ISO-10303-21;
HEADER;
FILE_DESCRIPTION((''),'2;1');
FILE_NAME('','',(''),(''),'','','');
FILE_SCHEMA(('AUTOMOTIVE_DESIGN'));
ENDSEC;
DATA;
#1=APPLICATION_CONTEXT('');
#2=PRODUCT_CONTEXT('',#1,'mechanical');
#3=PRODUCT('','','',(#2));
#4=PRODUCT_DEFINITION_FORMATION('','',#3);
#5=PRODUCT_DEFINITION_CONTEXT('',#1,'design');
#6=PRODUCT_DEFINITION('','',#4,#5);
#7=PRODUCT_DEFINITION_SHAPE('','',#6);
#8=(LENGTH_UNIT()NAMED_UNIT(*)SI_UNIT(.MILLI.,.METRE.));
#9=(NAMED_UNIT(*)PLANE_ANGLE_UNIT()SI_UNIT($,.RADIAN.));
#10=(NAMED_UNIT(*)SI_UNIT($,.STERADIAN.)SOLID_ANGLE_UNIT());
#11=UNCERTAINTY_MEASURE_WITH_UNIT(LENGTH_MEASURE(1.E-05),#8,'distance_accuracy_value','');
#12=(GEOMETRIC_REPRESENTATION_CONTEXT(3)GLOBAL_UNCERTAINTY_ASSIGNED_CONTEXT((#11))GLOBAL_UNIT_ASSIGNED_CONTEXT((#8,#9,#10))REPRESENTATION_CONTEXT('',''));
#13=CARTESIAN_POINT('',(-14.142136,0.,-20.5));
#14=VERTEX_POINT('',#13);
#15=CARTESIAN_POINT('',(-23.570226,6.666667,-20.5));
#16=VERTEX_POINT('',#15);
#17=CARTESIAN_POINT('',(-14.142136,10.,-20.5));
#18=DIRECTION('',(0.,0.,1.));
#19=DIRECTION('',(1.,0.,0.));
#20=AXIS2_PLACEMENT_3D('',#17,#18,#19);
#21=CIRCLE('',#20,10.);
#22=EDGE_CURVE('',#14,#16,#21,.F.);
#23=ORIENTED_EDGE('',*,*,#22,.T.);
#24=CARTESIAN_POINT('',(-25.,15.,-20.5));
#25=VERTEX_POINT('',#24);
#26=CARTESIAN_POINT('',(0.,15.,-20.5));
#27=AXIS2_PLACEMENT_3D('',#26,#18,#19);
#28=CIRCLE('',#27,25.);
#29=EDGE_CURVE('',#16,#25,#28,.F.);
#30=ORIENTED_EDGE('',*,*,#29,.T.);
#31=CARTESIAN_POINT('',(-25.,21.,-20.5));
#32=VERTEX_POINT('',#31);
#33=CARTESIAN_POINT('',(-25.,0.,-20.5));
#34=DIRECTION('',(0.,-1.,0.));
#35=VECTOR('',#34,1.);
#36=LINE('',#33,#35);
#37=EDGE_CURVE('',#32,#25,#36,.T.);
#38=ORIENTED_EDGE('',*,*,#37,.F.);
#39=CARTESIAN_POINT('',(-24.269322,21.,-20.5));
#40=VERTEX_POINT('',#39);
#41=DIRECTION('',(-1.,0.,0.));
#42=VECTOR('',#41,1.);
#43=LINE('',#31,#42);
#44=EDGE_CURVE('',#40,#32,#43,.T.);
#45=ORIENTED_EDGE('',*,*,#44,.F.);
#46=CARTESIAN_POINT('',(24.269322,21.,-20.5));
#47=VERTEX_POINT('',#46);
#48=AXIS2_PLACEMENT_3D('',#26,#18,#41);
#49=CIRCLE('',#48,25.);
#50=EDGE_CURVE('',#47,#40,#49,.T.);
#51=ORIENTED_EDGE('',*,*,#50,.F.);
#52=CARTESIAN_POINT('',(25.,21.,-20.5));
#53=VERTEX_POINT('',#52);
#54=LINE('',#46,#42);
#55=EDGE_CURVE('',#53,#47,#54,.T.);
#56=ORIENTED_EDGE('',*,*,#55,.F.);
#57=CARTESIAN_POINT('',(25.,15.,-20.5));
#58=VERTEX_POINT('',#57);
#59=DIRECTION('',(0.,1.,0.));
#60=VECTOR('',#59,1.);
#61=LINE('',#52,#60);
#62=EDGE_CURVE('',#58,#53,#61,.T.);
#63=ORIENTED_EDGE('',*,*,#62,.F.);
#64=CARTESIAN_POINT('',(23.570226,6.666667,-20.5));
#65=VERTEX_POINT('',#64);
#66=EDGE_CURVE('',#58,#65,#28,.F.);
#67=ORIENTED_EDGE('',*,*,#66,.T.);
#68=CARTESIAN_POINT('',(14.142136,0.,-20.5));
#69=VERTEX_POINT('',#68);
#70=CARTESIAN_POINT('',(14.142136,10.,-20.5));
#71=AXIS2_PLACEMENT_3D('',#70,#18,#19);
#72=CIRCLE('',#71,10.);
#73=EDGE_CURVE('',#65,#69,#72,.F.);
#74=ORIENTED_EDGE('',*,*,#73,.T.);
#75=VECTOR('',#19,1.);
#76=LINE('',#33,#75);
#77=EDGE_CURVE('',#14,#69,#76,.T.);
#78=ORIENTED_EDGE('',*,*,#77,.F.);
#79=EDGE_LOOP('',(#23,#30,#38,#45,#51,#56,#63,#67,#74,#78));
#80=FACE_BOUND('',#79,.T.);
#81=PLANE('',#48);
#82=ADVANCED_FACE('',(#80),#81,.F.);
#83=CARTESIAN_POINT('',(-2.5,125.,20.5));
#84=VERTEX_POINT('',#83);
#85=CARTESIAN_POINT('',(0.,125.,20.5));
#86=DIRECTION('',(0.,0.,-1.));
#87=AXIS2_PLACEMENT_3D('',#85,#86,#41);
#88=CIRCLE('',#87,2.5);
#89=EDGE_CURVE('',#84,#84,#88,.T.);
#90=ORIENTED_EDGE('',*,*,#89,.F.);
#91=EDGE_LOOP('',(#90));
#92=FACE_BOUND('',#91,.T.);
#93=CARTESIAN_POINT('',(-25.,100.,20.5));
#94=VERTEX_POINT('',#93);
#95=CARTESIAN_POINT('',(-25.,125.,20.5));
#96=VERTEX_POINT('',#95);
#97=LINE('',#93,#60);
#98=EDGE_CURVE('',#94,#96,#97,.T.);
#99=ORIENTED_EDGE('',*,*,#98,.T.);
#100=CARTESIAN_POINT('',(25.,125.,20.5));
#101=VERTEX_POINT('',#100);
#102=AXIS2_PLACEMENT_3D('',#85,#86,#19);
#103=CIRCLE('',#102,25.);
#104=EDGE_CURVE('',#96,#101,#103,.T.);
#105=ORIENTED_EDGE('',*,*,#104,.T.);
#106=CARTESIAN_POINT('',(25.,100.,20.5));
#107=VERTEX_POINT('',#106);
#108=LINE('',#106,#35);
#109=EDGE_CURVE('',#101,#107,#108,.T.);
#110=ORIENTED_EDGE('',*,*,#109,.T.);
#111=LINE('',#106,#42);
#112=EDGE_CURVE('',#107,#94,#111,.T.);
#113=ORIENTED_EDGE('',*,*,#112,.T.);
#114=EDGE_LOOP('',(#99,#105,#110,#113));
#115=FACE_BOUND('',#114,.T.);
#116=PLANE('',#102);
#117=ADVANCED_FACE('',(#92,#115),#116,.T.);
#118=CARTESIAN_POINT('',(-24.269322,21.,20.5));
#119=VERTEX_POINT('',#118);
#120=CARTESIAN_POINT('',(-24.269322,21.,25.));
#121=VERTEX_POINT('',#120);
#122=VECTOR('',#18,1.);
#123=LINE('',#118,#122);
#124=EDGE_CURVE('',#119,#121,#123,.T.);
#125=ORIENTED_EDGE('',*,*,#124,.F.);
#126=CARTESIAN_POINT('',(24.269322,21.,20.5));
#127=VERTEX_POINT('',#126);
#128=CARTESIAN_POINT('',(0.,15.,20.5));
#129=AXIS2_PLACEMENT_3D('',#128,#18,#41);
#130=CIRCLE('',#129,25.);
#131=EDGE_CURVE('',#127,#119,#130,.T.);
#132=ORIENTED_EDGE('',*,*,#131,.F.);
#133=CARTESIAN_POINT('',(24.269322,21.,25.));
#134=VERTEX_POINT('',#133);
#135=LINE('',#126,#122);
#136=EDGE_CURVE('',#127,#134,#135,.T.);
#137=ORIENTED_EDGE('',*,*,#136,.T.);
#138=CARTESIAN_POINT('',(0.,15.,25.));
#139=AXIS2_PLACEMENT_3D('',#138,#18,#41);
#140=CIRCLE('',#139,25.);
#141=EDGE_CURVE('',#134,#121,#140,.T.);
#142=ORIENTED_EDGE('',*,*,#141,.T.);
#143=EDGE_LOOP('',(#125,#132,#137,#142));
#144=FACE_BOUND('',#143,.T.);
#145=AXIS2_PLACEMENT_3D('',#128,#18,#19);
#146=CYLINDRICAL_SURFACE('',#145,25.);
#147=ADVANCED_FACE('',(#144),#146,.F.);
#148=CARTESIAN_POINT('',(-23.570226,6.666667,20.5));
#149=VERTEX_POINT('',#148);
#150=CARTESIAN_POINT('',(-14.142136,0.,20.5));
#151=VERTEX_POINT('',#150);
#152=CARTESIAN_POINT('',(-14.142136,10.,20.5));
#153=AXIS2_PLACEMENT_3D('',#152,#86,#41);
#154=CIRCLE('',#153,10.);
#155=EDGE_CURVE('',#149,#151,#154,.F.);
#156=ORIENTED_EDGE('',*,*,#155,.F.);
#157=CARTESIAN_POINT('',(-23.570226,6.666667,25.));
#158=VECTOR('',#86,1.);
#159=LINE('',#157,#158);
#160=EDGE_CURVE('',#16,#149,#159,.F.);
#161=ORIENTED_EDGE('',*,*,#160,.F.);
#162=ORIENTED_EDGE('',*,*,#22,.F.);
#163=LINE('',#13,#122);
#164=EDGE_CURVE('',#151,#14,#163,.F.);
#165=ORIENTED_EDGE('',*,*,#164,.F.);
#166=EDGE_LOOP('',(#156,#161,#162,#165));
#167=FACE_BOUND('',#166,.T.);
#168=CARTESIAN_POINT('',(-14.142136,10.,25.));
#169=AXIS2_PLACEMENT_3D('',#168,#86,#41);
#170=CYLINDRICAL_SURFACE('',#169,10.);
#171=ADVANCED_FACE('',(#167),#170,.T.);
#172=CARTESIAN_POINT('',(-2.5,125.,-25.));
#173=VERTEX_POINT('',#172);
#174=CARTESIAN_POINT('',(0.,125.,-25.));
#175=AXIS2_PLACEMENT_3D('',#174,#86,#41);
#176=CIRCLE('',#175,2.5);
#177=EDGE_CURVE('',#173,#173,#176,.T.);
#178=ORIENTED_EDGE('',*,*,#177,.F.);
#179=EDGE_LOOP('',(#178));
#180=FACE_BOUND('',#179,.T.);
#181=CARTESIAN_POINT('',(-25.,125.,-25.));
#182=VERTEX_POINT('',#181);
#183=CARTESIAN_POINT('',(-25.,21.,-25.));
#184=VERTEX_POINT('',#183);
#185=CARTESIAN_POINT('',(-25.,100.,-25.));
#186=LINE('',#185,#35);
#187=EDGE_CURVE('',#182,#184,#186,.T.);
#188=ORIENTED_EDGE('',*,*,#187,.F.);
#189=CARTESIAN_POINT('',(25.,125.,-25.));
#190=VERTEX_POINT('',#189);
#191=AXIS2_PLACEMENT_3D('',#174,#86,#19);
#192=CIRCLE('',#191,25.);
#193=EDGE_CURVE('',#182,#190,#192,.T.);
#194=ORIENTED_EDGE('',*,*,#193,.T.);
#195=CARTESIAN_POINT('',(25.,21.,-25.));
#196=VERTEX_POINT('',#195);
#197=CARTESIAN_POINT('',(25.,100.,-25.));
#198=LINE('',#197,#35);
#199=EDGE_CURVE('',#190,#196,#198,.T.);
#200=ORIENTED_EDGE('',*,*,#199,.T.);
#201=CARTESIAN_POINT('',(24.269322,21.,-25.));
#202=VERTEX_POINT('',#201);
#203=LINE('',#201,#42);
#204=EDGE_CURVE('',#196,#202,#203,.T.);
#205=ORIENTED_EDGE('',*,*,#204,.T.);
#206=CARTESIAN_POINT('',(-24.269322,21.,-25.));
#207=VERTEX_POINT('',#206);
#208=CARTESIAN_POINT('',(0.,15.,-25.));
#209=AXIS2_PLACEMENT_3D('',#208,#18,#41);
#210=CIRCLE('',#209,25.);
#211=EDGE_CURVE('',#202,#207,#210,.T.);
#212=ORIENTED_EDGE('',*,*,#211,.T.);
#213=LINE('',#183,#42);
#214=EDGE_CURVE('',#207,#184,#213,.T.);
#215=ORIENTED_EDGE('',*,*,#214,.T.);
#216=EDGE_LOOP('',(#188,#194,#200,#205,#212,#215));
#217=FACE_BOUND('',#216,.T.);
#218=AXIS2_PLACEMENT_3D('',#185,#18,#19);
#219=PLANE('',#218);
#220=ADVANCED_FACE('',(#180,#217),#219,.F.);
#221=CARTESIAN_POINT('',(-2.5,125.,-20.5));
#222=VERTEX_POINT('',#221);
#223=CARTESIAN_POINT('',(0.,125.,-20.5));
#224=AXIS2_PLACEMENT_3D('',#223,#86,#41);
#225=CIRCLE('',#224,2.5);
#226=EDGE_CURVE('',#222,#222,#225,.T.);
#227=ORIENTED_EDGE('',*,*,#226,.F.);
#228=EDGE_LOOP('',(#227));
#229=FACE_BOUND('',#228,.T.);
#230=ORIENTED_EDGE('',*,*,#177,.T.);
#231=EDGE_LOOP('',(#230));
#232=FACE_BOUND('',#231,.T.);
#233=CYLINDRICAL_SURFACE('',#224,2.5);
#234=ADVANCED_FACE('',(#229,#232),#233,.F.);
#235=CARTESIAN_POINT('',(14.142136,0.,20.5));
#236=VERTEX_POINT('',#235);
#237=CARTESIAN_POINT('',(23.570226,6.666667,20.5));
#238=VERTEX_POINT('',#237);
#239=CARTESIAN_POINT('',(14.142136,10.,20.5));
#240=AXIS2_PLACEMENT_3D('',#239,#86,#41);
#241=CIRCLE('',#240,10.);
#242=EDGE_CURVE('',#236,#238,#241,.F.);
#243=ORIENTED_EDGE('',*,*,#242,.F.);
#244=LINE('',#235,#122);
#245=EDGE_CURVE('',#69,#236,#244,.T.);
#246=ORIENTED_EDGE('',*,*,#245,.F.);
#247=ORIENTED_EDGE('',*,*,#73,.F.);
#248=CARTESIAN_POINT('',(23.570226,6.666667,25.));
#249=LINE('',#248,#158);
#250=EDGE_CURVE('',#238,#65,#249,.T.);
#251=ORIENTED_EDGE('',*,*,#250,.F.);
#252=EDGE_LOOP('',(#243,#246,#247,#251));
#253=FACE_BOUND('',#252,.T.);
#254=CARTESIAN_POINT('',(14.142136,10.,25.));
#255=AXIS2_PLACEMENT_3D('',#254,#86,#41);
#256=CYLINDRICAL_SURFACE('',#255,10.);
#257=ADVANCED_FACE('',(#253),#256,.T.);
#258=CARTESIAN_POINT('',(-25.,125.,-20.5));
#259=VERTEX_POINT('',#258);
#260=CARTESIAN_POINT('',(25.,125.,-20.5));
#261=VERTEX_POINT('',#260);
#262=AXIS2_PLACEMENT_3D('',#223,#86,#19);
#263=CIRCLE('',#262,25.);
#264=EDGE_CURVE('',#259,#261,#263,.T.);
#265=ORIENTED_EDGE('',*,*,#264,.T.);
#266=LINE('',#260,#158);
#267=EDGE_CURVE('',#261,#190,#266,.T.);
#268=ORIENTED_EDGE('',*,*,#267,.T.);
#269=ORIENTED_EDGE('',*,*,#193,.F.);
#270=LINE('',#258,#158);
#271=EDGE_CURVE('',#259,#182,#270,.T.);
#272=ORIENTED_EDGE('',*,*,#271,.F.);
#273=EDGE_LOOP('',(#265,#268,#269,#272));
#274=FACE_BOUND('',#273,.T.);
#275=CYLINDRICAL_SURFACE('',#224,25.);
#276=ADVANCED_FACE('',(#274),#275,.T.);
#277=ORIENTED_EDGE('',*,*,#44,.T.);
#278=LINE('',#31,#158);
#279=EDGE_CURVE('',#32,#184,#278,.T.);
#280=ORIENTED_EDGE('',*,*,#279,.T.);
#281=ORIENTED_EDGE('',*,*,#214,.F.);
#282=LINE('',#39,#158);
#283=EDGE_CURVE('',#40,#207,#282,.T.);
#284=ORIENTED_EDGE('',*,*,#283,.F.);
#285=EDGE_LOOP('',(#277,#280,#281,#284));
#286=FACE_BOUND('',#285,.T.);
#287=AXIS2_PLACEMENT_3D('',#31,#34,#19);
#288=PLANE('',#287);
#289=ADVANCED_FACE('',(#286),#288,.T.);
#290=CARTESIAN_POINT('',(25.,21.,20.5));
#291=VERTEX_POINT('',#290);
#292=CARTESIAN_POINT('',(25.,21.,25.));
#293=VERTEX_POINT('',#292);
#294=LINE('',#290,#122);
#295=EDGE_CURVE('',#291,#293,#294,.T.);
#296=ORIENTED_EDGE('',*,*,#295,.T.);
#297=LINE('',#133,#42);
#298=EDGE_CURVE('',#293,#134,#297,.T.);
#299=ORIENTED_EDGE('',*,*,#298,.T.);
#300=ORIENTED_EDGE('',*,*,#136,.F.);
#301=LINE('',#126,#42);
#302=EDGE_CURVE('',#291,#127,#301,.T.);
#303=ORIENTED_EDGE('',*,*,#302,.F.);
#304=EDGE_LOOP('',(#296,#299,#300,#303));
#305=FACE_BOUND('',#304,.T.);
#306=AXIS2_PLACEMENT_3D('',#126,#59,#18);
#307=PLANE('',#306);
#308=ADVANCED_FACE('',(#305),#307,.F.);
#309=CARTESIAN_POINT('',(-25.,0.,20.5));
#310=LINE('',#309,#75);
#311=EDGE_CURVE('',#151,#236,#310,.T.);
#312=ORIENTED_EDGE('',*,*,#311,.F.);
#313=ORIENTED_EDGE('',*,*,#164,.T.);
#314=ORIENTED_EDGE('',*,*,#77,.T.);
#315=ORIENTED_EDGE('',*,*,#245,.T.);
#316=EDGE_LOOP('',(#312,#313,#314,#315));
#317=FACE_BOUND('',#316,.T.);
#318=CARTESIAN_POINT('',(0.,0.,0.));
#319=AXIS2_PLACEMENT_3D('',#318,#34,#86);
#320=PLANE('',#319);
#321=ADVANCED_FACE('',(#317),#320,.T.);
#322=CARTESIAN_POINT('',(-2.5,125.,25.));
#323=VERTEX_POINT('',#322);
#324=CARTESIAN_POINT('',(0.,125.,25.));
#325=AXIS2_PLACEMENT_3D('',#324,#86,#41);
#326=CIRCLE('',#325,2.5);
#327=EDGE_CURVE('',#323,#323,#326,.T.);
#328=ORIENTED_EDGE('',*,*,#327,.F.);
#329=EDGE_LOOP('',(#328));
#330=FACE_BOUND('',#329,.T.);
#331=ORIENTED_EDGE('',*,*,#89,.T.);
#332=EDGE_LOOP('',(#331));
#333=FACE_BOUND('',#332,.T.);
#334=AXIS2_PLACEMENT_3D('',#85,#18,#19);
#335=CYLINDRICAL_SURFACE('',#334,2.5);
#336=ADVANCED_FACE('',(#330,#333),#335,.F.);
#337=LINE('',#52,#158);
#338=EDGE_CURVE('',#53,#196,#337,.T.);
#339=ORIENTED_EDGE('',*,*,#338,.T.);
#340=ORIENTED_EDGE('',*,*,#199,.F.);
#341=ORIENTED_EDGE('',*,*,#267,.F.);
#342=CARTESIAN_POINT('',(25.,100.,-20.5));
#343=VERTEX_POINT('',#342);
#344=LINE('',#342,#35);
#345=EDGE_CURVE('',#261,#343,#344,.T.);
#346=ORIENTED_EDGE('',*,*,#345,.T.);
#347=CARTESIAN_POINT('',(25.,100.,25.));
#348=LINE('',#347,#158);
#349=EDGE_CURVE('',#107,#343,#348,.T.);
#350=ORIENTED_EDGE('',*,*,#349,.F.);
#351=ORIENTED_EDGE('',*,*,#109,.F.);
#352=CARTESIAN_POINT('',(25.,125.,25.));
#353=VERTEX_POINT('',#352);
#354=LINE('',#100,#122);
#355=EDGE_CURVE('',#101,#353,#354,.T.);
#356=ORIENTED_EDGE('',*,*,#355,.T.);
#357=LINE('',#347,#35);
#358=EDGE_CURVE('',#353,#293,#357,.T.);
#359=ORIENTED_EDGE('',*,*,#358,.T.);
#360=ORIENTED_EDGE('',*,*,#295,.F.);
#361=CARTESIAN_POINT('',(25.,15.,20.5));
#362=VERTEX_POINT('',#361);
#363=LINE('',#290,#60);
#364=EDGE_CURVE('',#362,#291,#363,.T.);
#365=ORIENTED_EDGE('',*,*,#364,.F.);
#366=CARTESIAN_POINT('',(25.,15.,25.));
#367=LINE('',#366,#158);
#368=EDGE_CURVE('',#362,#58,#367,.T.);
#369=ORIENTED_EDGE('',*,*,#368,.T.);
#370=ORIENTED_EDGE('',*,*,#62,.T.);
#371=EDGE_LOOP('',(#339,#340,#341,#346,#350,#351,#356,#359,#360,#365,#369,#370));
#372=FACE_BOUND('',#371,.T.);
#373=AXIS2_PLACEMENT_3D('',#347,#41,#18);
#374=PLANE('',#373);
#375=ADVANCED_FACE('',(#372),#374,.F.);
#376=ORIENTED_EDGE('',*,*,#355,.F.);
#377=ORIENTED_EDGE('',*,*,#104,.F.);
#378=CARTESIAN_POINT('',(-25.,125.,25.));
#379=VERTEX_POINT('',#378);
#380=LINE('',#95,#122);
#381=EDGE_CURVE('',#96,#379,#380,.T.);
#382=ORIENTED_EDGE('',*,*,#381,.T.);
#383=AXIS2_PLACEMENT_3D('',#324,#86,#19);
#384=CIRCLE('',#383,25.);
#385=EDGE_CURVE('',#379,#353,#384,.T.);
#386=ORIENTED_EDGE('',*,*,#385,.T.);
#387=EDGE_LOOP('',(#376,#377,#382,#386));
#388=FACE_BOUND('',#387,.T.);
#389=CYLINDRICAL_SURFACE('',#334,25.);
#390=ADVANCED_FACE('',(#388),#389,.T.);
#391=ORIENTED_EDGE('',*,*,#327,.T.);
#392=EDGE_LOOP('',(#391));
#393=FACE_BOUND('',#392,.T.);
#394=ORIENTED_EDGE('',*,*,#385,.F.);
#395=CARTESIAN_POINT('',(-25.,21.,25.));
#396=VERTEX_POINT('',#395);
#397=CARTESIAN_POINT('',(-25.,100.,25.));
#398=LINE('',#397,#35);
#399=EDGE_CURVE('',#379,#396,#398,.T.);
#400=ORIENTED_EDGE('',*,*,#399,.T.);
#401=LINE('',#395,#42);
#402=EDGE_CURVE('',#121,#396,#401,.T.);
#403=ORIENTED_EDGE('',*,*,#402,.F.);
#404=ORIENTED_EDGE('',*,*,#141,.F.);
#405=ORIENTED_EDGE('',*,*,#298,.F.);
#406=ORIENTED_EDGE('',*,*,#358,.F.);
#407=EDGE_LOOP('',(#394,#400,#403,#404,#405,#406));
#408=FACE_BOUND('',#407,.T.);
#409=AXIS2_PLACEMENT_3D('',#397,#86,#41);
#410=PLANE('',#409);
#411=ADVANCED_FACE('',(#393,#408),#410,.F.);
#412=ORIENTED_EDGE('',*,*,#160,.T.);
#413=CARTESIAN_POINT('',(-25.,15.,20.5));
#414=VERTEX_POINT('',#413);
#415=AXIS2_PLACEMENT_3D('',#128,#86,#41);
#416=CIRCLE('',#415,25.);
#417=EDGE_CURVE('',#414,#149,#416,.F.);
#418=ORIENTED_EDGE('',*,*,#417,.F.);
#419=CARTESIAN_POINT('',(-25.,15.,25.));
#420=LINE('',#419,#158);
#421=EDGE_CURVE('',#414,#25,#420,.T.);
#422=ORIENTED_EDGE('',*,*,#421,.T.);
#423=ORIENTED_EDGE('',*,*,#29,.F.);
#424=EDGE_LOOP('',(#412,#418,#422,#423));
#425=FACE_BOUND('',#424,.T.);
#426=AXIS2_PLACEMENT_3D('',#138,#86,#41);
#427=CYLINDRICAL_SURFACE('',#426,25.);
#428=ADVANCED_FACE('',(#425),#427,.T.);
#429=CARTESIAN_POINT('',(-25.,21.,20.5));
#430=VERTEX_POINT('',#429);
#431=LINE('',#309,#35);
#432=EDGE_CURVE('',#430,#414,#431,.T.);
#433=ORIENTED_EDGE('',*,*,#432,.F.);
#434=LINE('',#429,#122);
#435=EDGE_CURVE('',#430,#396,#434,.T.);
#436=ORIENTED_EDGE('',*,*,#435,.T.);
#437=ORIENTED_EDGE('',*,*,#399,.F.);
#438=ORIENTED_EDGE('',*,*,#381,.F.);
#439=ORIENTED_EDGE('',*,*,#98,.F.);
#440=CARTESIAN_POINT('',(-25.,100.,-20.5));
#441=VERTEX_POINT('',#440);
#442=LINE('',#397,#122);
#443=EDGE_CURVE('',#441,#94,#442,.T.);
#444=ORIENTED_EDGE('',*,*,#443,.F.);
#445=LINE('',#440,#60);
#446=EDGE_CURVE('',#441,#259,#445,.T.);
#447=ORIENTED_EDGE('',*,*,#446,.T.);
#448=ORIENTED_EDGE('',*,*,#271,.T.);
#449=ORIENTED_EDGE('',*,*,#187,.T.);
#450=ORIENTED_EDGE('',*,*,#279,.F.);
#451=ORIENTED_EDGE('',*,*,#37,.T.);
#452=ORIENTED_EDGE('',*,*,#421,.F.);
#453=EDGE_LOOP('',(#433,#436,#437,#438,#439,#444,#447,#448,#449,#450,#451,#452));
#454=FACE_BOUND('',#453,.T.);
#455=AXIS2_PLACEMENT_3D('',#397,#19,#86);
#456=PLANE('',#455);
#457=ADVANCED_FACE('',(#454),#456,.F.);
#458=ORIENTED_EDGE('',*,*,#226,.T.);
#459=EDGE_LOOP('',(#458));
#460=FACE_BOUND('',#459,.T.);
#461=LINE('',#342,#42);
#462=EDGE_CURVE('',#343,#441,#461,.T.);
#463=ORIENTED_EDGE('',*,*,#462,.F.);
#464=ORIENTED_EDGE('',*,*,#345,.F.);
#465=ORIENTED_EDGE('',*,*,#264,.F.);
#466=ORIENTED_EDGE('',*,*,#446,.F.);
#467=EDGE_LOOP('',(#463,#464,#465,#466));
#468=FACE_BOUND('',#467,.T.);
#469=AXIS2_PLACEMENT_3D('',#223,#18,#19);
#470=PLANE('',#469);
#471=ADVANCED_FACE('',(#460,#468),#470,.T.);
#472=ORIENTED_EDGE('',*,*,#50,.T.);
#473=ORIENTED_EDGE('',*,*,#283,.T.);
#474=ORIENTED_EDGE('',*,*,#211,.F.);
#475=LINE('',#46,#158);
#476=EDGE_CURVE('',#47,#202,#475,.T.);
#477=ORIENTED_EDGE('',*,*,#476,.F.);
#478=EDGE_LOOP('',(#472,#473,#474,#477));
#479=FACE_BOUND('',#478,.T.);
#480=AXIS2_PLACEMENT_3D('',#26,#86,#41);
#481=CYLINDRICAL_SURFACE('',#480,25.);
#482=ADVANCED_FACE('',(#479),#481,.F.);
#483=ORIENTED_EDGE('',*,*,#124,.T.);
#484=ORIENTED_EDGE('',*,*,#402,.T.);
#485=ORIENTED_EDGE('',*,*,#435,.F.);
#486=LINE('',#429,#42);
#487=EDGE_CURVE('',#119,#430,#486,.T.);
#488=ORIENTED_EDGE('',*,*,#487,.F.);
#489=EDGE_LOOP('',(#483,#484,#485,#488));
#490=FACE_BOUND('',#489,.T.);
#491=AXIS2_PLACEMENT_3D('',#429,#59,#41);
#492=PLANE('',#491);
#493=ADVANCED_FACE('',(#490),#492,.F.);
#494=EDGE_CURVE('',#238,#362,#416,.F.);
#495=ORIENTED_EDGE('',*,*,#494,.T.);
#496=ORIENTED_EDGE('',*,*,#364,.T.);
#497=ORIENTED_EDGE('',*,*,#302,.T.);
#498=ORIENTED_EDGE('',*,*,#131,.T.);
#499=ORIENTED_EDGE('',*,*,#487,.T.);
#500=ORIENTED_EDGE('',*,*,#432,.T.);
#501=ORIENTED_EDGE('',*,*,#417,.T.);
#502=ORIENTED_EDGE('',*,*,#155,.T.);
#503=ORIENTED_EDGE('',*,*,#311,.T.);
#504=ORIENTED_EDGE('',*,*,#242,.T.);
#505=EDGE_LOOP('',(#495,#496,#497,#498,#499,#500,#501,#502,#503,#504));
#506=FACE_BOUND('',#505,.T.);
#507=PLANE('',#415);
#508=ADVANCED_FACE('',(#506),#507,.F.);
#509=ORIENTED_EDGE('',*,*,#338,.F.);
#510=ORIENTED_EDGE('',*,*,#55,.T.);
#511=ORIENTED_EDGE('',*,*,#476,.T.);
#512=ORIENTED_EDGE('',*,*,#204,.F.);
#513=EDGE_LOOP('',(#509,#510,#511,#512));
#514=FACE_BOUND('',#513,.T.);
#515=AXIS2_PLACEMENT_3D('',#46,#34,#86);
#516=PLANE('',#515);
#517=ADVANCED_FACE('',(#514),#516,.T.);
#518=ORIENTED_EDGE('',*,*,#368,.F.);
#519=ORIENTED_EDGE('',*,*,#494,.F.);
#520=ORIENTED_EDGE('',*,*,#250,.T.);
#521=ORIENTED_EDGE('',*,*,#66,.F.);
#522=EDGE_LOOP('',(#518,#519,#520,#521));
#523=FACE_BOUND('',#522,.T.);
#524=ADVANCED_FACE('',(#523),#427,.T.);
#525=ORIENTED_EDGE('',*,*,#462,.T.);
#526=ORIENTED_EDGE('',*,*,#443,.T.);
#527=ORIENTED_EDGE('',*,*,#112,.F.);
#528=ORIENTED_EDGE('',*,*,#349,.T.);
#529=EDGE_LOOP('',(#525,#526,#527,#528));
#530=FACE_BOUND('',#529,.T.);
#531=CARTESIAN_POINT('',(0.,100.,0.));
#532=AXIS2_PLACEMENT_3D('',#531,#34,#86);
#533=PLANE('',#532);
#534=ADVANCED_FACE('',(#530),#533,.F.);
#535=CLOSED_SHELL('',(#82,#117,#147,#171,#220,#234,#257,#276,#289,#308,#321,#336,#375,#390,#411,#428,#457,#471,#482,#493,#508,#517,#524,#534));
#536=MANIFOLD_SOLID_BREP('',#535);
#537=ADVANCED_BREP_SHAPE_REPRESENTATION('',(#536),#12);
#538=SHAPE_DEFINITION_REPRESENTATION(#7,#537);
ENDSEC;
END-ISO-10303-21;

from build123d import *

# Parameters (mm, degrees)
SKETCH1_W               = 50
SKETCH1_H               = 50
BOSS_EXTRUDE1_DEPTH     = 100
CUT_EXTRUDE1_DEPTH      = 4.5
SKETCH4_R               = 2.5
BOSS_EXTRUDE2_DEPTH     = 4.5
CUT_EXTRUDE2_DEPTH      = 159.730116865
CUT_EXTRUDE2_DEPTH_BACK = 159.730116865
FILLET1_R               = 10


with BuildPart() as part:
    # Sketch1 → Boss-Extrude1 (new body)
    with BuildSketch(Plane(origin=(0, 0, 0), x_dir=(1, 0, 0), z_dir=(0, 1, 0))):
        Rectangle(SKETCH1_W, SKETCH1_H)
    extrude(amount=BOSS_EXTRUDE1_DEPTH)

    # Sketch2 → Cut-Extrude1 (cut)
    with BuildSketch(Plane.XY.offset(25)):
        with BuildLine():
            Line((-25, 0), (25, 0))
            Line((25, 0), (25, 21))
            Line((25, 21), (24.269322199, 21))
            ThreePointArc((24.269322199, 21), (0, 40), (-24.269322199, 21))
            Line((-24.269322199, 21), (-25, 21))
            Line((-25, 21), (-25, 0))
        make_face()
    cut_extrude1 = extrude(amount=-CUT_EXTRUDE1_DEPTH, mode=Mode.SUBTRACT)

    # Mirror1: Cut-Extrude1 across plane
    add(cut_extrude1.mirror(Plane.XY), mode=Mode.SUBTRACT)

    # Sketch4 → Boss-Extrude2 (add)
    with BuildSketch(Plane(origin=(0, 0, -25), x_dir=(-1, 0, 0), z_dir=(0, 0, -1))):
        with BuildLine():
            Line((-25, 100), (25, 100))
            Line((25, 100), (25, 125))
            ThreePointArc((25, 125), (0, 150), (-25, 125))
            Line((-25, 125), (-25, 100))
        make_face()
        with Locations((0, 125)):
            Circle(SKETCH4_R, mode=Mode.SUBTRACT)
    boss_extrude2 = extrude(amount=-BOSS_EXTRUDE2_DEPTH)

    # Mirror2: Boss-Extrude2 across plane
    add(boss_extrude2.mirror(Plane.XY))

    # Sketch5 → Cut-Extrude2 (cut, two sides: drawn at the far end of the back side and taken through both)
    with BuildSketch(Plane(origin=(0, 0, -20.5), x_dir=(-1, 0, 0), z_dir=(0, 0, -1)).offset(-CUT_EXTRUDE2_DEPTH_BACK)):
        with BuildLine():
            Line((-25, 15), (-25, -11.716119479))
            Line((-25, -11.716119479), (25, -11.716119479))
            Line((25, -11.716119479), (25, 15))
            ThreePointArc((25, 15), (0, -10), (-25, 15))
        make_face()
    extrude(amount=CUT_EXTRUDE2_DEPTH + CUT_EXTRUDE2_DEPTH_BACK, mode=Mode.SUBTRACT)

    # Fillet1
    fillet1_edges = [part.edges().sort_by_distance(p)[0] for p in [
        (20, 0, 0),
        (-20, 0, 0),
    ]]
    fillet(fillet1_edges, radius=FILLET1_R)


solid = part.part
